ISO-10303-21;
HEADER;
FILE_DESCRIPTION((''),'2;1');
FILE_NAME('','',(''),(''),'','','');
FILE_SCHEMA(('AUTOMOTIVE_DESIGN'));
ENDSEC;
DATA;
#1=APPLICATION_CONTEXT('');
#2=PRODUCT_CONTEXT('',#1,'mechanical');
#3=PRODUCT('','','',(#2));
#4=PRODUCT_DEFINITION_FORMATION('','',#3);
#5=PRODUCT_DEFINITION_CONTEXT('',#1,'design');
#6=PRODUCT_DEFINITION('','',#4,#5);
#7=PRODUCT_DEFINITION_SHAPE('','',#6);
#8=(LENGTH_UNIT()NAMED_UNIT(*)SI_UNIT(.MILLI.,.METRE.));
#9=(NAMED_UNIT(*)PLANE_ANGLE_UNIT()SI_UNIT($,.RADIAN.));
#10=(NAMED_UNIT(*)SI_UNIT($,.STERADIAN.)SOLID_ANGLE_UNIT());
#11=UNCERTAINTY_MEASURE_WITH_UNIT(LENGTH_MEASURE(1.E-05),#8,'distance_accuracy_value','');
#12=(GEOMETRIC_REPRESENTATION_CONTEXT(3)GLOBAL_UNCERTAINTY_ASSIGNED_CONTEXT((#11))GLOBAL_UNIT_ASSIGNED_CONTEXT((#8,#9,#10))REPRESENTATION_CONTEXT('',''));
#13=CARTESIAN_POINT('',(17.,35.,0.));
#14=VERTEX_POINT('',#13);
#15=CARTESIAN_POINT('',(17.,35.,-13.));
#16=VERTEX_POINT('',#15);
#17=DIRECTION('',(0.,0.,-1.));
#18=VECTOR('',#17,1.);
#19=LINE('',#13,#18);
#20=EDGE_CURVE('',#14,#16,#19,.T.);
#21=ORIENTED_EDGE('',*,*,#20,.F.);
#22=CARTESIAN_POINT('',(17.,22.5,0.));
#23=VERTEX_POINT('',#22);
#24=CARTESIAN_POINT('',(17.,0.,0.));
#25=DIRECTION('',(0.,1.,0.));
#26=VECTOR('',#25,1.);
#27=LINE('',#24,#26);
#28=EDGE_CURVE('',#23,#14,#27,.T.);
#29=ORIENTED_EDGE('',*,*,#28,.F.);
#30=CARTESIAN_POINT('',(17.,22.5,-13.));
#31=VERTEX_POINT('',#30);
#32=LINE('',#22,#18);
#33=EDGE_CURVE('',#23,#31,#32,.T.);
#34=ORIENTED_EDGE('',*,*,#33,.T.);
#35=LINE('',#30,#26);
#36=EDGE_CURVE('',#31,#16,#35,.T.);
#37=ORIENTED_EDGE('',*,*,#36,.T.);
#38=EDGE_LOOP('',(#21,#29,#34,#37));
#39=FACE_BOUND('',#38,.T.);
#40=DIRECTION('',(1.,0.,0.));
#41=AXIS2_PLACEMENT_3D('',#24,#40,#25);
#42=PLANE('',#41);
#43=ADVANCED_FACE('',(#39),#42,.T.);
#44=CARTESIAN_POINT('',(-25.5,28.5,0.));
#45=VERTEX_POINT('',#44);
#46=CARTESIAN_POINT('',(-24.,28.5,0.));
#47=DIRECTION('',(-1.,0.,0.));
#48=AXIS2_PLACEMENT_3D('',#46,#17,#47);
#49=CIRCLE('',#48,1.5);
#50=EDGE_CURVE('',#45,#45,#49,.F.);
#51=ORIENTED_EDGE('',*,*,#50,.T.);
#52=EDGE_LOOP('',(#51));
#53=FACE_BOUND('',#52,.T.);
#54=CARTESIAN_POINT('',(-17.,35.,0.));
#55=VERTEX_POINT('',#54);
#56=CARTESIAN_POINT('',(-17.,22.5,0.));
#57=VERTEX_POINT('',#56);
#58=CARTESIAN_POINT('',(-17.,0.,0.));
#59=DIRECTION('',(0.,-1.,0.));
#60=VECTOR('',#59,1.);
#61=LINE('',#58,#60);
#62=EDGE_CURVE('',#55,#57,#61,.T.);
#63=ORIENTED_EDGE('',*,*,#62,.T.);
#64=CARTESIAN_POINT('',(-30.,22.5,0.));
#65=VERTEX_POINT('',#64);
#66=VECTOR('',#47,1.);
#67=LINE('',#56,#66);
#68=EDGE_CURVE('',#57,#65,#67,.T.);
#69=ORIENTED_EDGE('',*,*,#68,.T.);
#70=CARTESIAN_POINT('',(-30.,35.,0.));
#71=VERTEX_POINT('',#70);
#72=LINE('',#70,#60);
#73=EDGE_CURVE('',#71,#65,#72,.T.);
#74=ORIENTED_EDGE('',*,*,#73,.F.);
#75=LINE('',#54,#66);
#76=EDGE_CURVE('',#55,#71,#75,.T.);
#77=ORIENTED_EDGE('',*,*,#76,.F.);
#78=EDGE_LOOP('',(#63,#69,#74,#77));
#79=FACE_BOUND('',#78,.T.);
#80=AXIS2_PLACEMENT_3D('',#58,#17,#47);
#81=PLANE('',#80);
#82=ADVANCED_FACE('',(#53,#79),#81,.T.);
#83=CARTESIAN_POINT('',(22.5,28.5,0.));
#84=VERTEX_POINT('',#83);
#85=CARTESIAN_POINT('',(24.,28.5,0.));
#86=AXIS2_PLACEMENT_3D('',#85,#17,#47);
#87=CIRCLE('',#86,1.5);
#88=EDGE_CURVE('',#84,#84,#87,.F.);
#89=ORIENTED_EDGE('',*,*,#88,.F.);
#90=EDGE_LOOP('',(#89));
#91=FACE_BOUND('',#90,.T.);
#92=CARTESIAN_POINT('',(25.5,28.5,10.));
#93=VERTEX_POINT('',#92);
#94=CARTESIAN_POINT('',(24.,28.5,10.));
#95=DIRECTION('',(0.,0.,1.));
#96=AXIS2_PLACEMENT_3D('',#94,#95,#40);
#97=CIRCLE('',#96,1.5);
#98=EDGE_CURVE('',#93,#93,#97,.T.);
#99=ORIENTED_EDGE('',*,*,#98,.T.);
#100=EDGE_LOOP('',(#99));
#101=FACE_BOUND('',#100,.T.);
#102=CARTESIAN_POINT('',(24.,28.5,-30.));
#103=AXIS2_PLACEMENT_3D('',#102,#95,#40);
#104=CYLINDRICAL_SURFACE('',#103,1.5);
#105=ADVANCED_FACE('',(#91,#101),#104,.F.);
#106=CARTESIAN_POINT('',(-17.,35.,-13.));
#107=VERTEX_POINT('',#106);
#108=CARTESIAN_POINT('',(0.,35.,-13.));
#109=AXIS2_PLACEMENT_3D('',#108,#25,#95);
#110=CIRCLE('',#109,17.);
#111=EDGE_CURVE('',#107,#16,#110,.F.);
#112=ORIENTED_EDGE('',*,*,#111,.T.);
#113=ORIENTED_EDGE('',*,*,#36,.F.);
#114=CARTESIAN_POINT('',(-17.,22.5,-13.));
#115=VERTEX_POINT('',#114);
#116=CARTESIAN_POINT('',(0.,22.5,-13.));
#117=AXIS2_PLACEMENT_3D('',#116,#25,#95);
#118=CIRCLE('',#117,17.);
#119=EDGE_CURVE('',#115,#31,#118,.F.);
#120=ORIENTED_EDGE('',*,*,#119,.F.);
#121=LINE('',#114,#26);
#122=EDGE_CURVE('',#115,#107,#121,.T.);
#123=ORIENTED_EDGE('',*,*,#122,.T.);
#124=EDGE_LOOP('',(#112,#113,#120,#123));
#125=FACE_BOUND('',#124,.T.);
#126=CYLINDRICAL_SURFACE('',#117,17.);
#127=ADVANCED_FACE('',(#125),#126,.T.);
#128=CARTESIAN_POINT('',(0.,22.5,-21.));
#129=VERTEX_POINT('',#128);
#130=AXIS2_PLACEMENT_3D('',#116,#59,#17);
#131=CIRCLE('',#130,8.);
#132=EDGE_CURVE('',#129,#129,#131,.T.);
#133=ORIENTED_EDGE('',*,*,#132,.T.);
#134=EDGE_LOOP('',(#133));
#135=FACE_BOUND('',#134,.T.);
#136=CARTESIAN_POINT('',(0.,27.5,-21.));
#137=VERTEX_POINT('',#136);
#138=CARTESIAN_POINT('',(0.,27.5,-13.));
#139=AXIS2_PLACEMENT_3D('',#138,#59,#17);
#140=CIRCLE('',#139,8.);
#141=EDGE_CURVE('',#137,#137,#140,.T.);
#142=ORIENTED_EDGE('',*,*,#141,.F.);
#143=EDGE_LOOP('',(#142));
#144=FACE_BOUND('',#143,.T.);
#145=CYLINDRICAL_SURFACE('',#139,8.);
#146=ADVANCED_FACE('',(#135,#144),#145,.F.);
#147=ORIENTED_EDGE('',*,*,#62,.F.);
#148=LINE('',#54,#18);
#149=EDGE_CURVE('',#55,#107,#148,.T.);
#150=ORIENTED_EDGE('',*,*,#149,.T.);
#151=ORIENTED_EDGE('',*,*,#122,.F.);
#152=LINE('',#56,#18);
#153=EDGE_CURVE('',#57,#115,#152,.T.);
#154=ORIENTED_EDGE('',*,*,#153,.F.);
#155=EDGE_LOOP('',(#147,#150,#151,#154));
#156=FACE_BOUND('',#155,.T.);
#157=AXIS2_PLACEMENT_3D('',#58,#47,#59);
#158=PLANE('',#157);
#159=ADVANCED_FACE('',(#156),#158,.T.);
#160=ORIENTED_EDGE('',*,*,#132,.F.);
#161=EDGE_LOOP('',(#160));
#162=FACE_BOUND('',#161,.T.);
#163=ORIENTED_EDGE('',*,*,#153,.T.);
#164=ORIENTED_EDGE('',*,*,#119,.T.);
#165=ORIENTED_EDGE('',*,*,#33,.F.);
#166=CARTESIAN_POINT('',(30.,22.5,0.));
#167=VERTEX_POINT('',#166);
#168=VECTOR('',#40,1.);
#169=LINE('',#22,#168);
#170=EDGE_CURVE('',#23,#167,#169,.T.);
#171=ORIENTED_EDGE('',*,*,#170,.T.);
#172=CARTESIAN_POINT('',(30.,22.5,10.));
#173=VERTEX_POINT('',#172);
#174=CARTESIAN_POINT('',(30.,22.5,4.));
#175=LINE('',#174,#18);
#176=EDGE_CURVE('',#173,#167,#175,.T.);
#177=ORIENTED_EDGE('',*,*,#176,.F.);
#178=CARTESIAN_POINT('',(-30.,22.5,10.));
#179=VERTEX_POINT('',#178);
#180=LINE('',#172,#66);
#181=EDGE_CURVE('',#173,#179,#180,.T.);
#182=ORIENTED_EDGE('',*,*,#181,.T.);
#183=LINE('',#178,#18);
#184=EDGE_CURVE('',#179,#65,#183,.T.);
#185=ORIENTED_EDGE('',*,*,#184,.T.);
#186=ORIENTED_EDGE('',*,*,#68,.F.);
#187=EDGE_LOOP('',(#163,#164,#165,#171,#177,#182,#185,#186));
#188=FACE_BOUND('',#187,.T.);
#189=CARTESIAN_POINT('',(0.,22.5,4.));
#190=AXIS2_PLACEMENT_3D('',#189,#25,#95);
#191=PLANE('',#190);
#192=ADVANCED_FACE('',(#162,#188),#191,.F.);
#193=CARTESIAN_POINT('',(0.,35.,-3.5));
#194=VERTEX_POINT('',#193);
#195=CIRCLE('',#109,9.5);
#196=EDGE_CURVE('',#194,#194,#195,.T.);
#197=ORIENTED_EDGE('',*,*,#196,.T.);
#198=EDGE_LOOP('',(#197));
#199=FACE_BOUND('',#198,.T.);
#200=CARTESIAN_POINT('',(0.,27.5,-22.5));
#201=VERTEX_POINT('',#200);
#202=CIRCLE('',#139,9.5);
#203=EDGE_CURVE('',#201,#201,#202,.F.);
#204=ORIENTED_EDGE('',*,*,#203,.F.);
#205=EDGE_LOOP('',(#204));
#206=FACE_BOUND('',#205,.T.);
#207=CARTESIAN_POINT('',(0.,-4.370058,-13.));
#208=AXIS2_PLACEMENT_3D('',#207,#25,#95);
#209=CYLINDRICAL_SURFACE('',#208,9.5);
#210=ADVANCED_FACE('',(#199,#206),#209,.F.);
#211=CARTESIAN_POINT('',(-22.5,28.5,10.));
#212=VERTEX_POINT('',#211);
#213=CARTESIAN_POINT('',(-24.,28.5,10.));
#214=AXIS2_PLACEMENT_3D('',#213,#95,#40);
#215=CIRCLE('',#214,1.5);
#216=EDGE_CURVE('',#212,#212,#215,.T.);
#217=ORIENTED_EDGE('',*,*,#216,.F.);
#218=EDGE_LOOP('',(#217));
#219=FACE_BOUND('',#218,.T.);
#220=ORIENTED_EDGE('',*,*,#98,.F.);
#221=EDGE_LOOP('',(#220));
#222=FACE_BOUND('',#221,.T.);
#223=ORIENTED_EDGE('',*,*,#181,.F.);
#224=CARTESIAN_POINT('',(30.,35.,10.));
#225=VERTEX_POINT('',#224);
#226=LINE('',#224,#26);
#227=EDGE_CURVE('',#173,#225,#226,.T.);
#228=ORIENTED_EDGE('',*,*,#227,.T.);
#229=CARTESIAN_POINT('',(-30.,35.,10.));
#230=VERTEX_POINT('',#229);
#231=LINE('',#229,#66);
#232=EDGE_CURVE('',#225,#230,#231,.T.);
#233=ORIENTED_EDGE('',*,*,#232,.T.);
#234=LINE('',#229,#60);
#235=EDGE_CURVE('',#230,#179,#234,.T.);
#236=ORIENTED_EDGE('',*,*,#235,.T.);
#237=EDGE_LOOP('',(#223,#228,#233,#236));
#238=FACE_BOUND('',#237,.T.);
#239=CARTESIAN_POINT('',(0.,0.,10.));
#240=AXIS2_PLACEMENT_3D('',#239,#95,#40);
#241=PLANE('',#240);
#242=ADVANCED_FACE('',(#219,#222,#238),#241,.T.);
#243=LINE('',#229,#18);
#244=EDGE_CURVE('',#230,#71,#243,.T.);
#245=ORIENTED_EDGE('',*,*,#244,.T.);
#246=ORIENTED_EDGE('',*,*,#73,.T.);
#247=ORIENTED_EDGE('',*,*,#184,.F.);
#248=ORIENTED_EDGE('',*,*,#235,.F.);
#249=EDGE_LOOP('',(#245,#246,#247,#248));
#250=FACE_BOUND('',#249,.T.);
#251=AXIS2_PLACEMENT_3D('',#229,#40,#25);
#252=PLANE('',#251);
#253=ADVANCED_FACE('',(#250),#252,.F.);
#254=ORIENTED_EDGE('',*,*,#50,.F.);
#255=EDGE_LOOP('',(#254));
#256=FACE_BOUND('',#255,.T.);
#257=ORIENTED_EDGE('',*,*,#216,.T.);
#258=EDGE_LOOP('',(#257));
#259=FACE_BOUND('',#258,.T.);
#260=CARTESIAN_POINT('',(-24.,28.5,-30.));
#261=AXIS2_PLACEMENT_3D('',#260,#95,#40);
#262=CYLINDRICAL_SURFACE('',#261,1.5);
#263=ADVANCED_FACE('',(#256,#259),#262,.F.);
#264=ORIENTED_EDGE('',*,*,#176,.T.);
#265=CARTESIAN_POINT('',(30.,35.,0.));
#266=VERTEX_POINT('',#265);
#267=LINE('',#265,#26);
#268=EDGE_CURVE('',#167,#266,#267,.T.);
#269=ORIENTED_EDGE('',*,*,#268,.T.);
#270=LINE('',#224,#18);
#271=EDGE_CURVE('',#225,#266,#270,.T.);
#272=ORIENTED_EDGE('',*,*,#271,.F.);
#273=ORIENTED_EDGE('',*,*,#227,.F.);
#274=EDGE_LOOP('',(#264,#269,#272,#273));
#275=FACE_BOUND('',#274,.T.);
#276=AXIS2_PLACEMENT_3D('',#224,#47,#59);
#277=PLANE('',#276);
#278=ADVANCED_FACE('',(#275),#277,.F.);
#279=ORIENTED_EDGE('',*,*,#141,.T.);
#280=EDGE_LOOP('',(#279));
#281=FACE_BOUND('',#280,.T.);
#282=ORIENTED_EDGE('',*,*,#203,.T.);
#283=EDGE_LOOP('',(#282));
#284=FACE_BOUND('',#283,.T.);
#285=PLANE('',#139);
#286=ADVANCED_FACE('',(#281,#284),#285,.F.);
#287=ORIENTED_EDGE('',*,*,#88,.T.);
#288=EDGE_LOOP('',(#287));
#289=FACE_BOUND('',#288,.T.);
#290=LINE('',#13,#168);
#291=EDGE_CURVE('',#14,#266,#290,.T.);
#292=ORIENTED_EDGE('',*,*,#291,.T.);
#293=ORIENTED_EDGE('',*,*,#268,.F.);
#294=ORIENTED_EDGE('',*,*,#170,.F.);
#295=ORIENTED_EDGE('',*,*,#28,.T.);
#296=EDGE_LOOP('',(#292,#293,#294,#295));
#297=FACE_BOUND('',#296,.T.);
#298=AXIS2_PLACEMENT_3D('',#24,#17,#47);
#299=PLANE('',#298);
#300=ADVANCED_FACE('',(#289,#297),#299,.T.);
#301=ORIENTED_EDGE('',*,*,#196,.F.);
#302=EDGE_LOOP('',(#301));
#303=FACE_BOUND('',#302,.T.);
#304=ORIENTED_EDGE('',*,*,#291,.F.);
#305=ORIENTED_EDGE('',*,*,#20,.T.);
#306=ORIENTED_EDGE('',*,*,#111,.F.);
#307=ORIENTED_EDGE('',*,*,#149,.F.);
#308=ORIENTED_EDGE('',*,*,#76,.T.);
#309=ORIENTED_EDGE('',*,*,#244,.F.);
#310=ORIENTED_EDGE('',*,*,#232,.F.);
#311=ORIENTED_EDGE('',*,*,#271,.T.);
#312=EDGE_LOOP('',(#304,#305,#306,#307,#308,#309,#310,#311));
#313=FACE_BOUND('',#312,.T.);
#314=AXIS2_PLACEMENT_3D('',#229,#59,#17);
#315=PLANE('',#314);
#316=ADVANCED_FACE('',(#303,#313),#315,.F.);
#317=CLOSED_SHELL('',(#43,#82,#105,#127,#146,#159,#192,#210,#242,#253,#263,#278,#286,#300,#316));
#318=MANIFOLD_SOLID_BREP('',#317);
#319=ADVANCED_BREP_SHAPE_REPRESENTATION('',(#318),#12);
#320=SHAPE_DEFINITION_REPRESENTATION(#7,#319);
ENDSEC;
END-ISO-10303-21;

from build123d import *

# Parameters (mm, degrees)
SKETCH_1_W          = 60
SKETCH_1_H          = 70
EXTRUDE_1_DEPTH     = 10
SKETCH_2_R          = 3
CUT_EXTRUDE_1_DEPTH = 48.16990566
CUT_EXTRUDE_START   = -4
SKETCH_3_R          = 7.5
SKETCH_3_R_2        = 3
CUT_EXTRUDE_2_DEPTH = 4
SKETCH_4_R          = 5
CUT_EXTRUDE_3_DEPTH = 1
EXTRUDE_2_DEPTH     = 12.5
SKETCH_7_R          = 9.5
CUT_EXTRUDE_4_DEPTH = 12.5
CUT_EXTRUDE_5_DEPTH = 57.5
SKETCH_9_R          = 1.5
CUT_EXTRUDE_6_DEPTH = 62.032778079
SKETCH_10_W         = 13
SKETCH_10_H         = 12.5
CUT_EXTRUDE_7_DEPTH = 13
SKETCH_11_W         = 13
SKETCH_11_H         = 12.5
CUT_EXTRUDE_8_DEPTH = 13
EXTRUDE_START       = -5
SKETCH_12_R         = 9.5
SKETCH_12_R_2       = 8
EXTRUDE_3_DEPTH     = 5


with BuildPart() as part:
    # 草图1 → 凸台-拉伸1 (new body)
    with BuildSketch(Plane.XY):
        Rectangle(SKETCH_1_W, SKETCH_1_H)
    extrude(amount=EXTRUDE_1_DEPTH)

    # 草图2 → 切除-拉伸1 (cut, through all)
    with BuildSketch(Plane.XY.offset(10)):
        with Locations((-8, 15)):
            Circle(SKETCH_2_R)
        with Locations((7, 15)):
            Circle(SKETCH_2_R)
        with Locations((-8, -15)):
            Circle(SKETCH_2_R)
        with Locations((7, -15)):
            Circle(SKETCH_2_R)
        with Locations((22, 15)):
            Circle(SKETCH_2_R)
        with Locations((22, -15)):
            Circle(SKETCH_2_R)
    extrude(amount=-CUT_EXTRUDE_1_DEPTH, mode=Mode.SUBTRACT)

    # 草图3 → 切除-拉伸2 (cut)
    # profile 1 of 2: a face of its own
    with BuildSketch(Plane(origin=(0, 0, 0), x_dir=(-1, 0, 0), z_dir=(0, 0, -1)).offset(CUT_EXTRUDE_START)):
        with Locations((8, 15)):
            Circle(SKETCH_3_R)
        with Locations(Location((8, 15, 0), (0, 0, 180))):
            Circle(SKETCH_3_R_2, mode=Mode.SUBTRACT)
    # profile 2 of 2: a face of its own
    with BuildSketch(Plane(origin=(0, 0, 0), x_dir=(-1, 0, 0), z_dir=(0, 0, -1)).offset(CUT_EXTRUDE_START)):
        with BuildLine():
            ThreePointArc((8, 7.5), (0.5, 15), (8, 22.5))
            Line((8, 22.5), (-30, 22.5))
            Line((-30, 22.5), (-30, 7.5))
            Line((-30, 7.5), (8, 7.5))
        make_face()
        with Locations(Location((-7, 15, 0), (0, 0, 180))):
            Circle(SKETCH_3_R_2, mode=Mode.SUBTRACT)
    cut_extrude_2 = extrude(amount=CUT_EXTRUDE_2_DEPTH, mode=Mode.SUBTRACT)

    # 镜向1: 切除-拉伸2 across plane
    add(cut_extrude_2.mirror(Plane.ZX), mode=Mode.SUBTRACT)

    # 草图4 → 切除-拉伸3 (cut)
    with BuildSketch(Plane.XY.offset(10)):
        with Locations((-20, 0)):
            Circle(SKETCH_4_R)
        with BuildLine():
            ThreePointArc((-20, -5), (-25, 0), (-20, 5))
            Line((-20, 5), (-30, 5))
            Line((-30, 5), (-30, -5))
            Line((-30, -5), (-20, -5))
        make_face()
    extrude(amount=-CUT_EXTRUDE_3_DEPTH, mode=Mode.SUBTRACT)

    # 草图6 → 凸台-拉伸2 (add)
    with BuildSketch(Plane(origin=(0, 35, 0), x_dir=(1, 0, 0), z_dir=(0, 1, 0))):
        with BuildLine():
            ThreePointArc((30, 0), (20.807611845, 3.807611845), (17, 13))
            ThreePointArc((17, 13), (0, 30), (-17, 13))
            ThreePointArc((-17, 13), (-20.807611845, 3.807611845), (-30, 0))
            Line((-30, 0), (30, 0))
        make_face()
    extrude_2 = extrude(amount=-EXTRUDE_2_DEPTH)

    # 草图7 → 切除-拉伸4 (cut)
    with BuildSketch(Plane(origin=(0, 35, 0), x_dir=(1, 0, 0), z_dir=(0, 1, 0))):
        with Locations(Location((0, 13, 0), (0, 0, 270))):
            Circle(SKETCH_7_R)
    cut_extrude_4 = extrude(amount=-CUT_EXTRUDE_4_DEPTH, mode=Mode.SUBTRACT)

    # 镜向2: 凸台-拉伸2, 切除-拉伸4 across plane
    add(extrude_2.mirror(Plane.ZX))
    add(cut_extrude_4.mirror(Plane.ZX), mode=Mode.SUBTRACT)

    # 草图8 → 切除-拉伸5 (cut)
    with BuildSketch(Plane.XZ.offset(35)):
        with BuildLine():
            Line((-30, 10), (-30, 0))
            ThreePointArc((-30, 0), (-20.807611845, -3.807611845), (-17, -13))
            ThreePointArc((-17, -13), (0, -30), (17, -13))
            ThreePointArc((17, -13), (20.807611845, -3.807611845), (30, 0))
            Line((30, 0), (30, 10))
            Line((30, 10), (-30, 10))
        make_face()
    extrude(amount=-CUT_EXTRUDE_5_DEPTH, mode=Mode.SUBTRACT)

    # 草图9 → 切除-拉伸6 (cut, through all)
    with BuildSketch(Plane.XY.offset(10)):
        with Locations((-24, 28.5)):
            Circle(SKETCH_9_R)
        with Locations((24, 28.5)):
            Circle(SKETCH_9_R)
    extrude(amount=-CUT_EXTRUDE_6_DEPTH, mode=Mode.SUBTRACT)

    # 草图10 → 切除-拉伸7 (cut)
    with BuildSketch(Plane(origin=(30, 0, 0), x_dir=(0, 0, -1), z_dir=(1, 0, 0))):
        with Locations((6.5, 28.75)):
            Rectangle(SKETCH_10_W, SKETCH_10_H)
    extrude(amount=-CUT_EXTRUDE_7_DEPTH, mode=Mode.SUBTRACT)

    # 草图11 → 切除-拉伸8 (cut)
    with BuildSketch(Plane.ZY.offset(30)):
        with Locations((-6.5, 28.75)):
            Rectangle(SKETCH_11_W, SKETCH_11_H)
    extrude(amount=-CUT_EXTRUDE_8_DEPTH, mode=Mode.SUBTRACT)

    # 草图12 → 凸台-拉伸3 (add)
    with BuildSketch(Plane.XZ.offset(-22.5).offset(EXTRUDE_START)):
        with Locations(Location((0, -13, 0), (0, 0, 90))):
            Circle(SKETCH_12_R)
        with Locations(Location((0, -13, 0), (0, 0, 270))):
            Circle(SKETCH_12_R_2, mode=Mode.SUBTRACT)
    extrude(amount=EXTRUDE_3_DEPTH)


solid = part.part
